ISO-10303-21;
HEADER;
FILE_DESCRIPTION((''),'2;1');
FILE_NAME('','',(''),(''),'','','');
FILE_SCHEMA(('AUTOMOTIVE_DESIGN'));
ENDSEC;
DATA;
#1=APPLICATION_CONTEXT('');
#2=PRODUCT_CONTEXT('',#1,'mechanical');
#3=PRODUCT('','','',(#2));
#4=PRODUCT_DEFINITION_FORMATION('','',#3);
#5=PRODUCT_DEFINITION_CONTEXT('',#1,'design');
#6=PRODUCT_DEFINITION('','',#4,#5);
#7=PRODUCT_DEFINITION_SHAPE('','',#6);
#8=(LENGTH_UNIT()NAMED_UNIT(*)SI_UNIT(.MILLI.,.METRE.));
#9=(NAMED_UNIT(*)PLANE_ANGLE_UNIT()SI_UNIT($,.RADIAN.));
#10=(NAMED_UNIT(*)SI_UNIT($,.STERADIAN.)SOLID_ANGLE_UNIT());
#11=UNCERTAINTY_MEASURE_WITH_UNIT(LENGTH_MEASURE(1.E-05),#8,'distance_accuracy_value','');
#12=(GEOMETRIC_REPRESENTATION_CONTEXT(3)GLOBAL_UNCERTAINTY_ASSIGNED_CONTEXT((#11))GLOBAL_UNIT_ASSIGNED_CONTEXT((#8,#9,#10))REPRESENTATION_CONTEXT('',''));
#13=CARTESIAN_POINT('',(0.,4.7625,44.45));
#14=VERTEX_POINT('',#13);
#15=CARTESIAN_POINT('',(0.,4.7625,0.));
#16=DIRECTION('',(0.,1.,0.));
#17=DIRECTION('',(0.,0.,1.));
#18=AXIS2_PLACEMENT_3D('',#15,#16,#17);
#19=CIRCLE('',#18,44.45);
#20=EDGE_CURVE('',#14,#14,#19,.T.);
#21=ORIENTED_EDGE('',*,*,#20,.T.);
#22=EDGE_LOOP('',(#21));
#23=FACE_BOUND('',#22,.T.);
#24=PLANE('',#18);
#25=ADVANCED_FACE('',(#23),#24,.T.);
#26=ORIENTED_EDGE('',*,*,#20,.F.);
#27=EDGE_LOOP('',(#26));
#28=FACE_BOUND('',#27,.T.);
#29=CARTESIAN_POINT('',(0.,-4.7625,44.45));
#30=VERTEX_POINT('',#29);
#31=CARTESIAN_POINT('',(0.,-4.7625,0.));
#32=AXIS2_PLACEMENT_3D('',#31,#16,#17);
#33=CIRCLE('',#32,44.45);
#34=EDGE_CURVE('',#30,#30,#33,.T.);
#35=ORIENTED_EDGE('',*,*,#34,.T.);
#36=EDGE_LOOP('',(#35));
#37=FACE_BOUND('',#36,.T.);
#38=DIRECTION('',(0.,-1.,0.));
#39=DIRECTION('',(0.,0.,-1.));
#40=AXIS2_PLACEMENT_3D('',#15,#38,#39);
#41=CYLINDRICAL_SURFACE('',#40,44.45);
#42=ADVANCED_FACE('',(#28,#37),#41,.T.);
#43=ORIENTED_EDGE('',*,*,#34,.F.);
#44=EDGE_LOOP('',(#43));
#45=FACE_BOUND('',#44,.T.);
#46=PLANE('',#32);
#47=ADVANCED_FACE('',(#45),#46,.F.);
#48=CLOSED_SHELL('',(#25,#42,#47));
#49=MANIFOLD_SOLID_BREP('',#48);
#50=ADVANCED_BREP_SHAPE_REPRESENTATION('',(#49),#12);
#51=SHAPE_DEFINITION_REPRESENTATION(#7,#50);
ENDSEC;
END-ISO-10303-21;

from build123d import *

# Parameters (mm, degrees)
SKETCH1_R           = 44.45
BOSS_EXTRUDE1_DEPTH = 4.7625


with BuildPart() as part:
    # Sketch1 → Boss-Extrude1 (new body, symmetric)
    with BuildSketch(Plane(origin=(0, 0, 0), x_dir=(1, 0, 0), z_dir=(0, 1, 0))):
        Circle(SKETCH1_R)
    extrude(amount=BOSS_EXTRUDE1_DEPTH, both=True)


solid = part.part
